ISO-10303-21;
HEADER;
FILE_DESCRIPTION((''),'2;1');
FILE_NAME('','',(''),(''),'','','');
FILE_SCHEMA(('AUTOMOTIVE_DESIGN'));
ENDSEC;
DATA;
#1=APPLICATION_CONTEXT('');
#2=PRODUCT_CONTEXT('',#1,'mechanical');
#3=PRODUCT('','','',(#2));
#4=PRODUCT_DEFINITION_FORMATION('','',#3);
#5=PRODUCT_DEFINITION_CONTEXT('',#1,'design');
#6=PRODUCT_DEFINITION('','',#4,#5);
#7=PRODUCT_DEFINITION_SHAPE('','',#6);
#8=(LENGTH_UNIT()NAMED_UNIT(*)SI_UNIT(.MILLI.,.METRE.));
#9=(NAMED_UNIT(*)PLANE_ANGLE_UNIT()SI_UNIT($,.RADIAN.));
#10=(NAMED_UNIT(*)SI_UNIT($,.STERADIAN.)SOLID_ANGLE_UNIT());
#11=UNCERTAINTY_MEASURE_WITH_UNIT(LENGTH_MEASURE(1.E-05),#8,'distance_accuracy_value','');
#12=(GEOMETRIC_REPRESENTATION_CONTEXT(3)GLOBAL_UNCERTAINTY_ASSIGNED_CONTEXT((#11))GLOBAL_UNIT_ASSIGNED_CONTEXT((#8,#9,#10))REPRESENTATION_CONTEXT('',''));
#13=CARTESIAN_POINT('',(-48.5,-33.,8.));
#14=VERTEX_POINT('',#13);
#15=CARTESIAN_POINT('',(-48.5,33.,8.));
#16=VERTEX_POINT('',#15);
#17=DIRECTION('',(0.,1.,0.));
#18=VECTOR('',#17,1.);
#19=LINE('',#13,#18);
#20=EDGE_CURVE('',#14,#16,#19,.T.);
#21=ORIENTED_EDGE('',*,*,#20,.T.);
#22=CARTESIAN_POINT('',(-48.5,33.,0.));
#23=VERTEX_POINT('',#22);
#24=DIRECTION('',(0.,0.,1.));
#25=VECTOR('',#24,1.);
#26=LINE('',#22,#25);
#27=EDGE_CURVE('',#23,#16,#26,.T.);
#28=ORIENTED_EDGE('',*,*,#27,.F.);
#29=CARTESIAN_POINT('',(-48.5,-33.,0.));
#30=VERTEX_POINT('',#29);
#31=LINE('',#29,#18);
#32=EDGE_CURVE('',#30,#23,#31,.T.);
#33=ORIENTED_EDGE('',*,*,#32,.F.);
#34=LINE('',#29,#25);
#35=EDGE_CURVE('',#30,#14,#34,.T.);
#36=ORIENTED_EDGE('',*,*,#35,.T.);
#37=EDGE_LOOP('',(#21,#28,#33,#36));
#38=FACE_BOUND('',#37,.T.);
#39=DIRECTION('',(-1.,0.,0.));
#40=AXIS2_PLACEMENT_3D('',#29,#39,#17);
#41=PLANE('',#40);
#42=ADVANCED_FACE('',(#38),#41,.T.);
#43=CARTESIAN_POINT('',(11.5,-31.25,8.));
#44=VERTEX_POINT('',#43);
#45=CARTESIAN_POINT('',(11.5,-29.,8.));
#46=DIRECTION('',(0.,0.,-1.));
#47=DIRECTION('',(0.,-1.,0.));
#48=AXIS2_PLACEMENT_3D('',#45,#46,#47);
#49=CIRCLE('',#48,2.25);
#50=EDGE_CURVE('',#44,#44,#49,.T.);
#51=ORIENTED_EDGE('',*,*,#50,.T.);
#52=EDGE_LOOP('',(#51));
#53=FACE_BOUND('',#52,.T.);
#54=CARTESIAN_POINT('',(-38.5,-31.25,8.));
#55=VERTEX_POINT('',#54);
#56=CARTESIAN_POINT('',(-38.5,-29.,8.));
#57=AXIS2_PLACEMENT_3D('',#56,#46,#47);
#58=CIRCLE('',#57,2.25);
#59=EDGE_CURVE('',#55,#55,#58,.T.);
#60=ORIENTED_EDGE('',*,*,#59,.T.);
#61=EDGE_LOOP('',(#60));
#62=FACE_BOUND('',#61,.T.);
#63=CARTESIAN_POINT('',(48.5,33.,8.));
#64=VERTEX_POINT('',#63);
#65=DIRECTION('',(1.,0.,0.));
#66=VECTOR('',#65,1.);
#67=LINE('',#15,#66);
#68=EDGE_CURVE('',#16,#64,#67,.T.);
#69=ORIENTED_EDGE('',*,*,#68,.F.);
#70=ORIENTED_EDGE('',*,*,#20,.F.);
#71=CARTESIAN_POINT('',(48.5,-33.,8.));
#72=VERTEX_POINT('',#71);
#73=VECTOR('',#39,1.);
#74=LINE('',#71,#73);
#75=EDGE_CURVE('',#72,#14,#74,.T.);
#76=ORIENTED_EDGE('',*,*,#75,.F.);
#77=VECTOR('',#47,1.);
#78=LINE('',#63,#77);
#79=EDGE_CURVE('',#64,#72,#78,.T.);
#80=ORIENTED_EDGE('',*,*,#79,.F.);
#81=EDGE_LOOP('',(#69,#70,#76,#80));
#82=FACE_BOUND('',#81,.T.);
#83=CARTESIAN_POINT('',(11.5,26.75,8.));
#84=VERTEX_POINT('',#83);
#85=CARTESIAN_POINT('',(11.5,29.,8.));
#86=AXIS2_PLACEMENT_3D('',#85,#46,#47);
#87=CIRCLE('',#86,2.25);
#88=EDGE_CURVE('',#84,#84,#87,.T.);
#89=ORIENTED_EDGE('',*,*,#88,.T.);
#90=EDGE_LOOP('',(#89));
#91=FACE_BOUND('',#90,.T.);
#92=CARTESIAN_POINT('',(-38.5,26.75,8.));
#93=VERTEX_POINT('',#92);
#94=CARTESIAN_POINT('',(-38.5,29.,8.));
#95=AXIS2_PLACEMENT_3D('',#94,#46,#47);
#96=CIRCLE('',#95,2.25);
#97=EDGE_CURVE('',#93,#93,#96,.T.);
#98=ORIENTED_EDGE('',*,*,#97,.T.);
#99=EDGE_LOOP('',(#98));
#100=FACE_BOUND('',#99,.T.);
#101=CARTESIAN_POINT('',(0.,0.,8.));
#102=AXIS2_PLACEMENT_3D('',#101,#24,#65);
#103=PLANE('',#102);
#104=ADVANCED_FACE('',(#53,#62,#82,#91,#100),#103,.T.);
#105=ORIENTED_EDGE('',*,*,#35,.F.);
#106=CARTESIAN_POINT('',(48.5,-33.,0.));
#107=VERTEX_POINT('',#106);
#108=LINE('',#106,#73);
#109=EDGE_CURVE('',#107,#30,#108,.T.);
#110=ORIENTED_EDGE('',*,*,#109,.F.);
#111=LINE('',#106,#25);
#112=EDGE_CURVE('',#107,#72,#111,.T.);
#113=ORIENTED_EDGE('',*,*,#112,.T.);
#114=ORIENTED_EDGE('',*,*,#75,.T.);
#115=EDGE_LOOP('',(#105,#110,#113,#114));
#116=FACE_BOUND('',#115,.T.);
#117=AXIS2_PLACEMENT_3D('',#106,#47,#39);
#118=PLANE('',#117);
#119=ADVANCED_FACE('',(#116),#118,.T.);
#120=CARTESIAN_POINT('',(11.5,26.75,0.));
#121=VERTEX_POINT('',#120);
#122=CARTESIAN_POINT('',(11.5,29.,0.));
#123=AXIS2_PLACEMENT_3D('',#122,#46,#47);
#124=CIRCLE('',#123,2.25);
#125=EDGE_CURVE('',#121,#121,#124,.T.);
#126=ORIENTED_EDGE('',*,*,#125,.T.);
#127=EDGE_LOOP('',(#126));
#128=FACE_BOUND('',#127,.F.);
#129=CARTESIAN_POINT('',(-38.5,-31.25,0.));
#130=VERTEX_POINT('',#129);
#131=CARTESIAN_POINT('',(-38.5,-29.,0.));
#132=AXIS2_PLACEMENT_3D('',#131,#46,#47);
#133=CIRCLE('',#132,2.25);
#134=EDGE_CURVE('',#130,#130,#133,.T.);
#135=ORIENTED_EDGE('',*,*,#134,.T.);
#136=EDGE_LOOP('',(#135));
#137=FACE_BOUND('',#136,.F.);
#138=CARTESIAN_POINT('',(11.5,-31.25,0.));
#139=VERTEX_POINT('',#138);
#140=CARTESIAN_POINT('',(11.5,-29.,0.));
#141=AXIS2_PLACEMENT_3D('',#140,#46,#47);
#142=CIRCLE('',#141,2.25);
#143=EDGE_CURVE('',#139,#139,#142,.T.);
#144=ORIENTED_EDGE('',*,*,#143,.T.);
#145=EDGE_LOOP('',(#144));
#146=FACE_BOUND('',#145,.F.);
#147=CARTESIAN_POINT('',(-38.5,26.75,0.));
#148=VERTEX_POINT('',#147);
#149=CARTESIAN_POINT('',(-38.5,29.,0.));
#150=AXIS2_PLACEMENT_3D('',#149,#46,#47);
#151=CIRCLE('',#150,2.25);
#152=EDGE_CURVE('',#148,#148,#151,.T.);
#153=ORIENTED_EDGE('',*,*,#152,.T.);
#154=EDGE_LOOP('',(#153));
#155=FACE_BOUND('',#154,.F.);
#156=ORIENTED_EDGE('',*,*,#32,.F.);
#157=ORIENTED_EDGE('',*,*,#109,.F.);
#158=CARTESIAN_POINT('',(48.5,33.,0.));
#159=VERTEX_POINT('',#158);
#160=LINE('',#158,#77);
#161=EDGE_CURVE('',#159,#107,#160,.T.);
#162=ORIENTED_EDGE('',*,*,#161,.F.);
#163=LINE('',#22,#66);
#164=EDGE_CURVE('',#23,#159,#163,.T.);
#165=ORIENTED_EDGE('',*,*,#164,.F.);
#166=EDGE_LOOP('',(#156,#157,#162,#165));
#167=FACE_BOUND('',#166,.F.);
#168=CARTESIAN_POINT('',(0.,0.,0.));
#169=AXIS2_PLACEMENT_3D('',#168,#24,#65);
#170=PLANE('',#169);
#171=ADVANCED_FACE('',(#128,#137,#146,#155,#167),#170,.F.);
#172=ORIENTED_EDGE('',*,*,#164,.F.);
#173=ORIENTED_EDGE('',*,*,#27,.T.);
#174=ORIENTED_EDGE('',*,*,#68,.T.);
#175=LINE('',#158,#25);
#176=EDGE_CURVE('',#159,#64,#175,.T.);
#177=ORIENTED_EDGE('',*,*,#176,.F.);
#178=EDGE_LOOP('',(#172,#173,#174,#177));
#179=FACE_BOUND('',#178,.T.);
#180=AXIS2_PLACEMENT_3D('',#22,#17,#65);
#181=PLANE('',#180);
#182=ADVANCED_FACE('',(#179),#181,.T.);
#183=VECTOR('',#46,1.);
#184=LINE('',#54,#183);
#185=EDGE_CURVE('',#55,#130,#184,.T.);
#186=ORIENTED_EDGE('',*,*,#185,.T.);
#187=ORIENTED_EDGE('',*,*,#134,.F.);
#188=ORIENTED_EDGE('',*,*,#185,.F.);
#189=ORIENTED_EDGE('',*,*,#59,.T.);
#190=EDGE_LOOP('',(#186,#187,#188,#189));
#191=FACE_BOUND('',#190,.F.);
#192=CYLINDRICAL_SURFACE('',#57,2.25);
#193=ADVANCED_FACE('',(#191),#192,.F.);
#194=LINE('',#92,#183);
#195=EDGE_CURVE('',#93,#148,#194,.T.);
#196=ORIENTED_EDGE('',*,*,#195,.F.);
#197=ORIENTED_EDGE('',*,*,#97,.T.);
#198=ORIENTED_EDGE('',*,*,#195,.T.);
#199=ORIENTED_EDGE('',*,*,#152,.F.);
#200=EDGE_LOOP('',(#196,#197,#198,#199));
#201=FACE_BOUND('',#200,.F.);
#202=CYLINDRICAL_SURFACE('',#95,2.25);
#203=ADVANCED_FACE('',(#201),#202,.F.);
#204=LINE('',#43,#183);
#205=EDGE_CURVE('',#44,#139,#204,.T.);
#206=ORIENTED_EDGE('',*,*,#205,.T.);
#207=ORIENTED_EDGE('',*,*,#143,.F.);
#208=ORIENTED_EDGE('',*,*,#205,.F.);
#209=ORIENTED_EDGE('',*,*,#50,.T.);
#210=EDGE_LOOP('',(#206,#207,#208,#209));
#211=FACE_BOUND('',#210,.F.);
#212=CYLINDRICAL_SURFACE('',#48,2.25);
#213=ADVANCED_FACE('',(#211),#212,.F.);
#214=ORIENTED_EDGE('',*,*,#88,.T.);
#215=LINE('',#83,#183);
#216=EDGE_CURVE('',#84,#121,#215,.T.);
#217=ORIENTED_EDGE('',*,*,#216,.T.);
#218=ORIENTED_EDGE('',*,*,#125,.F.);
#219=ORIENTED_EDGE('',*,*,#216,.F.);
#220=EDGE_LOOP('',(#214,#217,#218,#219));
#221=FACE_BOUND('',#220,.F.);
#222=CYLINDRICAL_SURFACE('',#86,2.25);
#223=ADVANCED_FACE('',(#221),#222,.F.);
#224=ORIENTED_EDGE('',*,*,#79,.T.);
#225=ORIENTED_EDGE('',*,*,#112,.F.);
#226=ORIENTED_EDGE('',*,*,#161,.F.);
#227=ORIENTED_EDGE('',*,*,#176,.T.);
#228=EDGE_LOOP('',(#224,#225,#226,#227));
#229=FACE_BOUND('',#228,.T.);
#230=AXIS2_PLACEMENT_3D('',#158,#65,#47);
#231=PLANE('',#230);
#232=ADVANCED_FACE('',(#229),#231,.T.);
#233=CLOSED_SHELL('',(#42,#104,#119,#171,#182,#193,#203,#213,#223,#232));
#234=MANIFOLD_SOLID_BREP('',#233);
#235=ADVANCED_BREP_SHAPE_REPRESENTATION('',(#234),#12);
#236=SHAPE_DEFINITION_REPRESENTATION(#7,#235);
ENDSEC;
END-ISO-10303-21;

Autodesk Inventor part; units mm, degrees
ref_plane "YZ Plane" through (0, 0, 0) normal (1, 0, 0) x (0, 1, 0)
ref_plane "XZ Plane" through (0, 0, 0) normal (0, 1, 0) x (-1, 0, 0)
ref_plane "XY Plane" through (0, 0, 0) normal (0, 0, 1) x (1, 0, 0)
sketch "Sketch1" plane through (0, 0, 0) normal (0, 0, 1) x (1, 0, 0)
  line L0 (-48.5, 33) -> (48.5, 33)
  line L1 (48.5, 33) -> (48.5, -33)
  line L2 (48.5, -33) -> (-48.5, -33)
  line L3 (-48.5, -33) -> (-48.5, 33)
  point P0 (0, 0)
  point P1 (0, 33)
  point P2 (-48.5, 0)
  dimension "d0" = 97
  dimension "d1" = 66
extrude "Extrusion1" add sketch "Sketch1" along normal blind 8
sketch "Sketch4" plane through (0, 0, 8) normal (0, 0, 1) x (1, 0, 0)
  line L0 (-48.5, 33) -> (-48.5, -33) projected
  line L1 (-48.5, -33) -> (48.5, -33) projected
  line L2 (48.5, 33) -> (-48.5, 33) projected
  point P0 (0, 0)
  point P1 (-38.5, -29)
  point P2 (-38.5, 29)
  dimension "d19" = 10
  dimension "d20" = 4
  dimension "d21" = 4
hole "Hole1" at (-38.5, -29, 8) at (-38.5, 29, 8) direction (0, 0, -1) diameter 4.5 end through all
pattern_linear "Rectangular Pattern1" count 2 spacing 50 along (1, 0, 0) of "Hole1"
equation "\"d21\" = d20"
properties part number "0005-10-009"
